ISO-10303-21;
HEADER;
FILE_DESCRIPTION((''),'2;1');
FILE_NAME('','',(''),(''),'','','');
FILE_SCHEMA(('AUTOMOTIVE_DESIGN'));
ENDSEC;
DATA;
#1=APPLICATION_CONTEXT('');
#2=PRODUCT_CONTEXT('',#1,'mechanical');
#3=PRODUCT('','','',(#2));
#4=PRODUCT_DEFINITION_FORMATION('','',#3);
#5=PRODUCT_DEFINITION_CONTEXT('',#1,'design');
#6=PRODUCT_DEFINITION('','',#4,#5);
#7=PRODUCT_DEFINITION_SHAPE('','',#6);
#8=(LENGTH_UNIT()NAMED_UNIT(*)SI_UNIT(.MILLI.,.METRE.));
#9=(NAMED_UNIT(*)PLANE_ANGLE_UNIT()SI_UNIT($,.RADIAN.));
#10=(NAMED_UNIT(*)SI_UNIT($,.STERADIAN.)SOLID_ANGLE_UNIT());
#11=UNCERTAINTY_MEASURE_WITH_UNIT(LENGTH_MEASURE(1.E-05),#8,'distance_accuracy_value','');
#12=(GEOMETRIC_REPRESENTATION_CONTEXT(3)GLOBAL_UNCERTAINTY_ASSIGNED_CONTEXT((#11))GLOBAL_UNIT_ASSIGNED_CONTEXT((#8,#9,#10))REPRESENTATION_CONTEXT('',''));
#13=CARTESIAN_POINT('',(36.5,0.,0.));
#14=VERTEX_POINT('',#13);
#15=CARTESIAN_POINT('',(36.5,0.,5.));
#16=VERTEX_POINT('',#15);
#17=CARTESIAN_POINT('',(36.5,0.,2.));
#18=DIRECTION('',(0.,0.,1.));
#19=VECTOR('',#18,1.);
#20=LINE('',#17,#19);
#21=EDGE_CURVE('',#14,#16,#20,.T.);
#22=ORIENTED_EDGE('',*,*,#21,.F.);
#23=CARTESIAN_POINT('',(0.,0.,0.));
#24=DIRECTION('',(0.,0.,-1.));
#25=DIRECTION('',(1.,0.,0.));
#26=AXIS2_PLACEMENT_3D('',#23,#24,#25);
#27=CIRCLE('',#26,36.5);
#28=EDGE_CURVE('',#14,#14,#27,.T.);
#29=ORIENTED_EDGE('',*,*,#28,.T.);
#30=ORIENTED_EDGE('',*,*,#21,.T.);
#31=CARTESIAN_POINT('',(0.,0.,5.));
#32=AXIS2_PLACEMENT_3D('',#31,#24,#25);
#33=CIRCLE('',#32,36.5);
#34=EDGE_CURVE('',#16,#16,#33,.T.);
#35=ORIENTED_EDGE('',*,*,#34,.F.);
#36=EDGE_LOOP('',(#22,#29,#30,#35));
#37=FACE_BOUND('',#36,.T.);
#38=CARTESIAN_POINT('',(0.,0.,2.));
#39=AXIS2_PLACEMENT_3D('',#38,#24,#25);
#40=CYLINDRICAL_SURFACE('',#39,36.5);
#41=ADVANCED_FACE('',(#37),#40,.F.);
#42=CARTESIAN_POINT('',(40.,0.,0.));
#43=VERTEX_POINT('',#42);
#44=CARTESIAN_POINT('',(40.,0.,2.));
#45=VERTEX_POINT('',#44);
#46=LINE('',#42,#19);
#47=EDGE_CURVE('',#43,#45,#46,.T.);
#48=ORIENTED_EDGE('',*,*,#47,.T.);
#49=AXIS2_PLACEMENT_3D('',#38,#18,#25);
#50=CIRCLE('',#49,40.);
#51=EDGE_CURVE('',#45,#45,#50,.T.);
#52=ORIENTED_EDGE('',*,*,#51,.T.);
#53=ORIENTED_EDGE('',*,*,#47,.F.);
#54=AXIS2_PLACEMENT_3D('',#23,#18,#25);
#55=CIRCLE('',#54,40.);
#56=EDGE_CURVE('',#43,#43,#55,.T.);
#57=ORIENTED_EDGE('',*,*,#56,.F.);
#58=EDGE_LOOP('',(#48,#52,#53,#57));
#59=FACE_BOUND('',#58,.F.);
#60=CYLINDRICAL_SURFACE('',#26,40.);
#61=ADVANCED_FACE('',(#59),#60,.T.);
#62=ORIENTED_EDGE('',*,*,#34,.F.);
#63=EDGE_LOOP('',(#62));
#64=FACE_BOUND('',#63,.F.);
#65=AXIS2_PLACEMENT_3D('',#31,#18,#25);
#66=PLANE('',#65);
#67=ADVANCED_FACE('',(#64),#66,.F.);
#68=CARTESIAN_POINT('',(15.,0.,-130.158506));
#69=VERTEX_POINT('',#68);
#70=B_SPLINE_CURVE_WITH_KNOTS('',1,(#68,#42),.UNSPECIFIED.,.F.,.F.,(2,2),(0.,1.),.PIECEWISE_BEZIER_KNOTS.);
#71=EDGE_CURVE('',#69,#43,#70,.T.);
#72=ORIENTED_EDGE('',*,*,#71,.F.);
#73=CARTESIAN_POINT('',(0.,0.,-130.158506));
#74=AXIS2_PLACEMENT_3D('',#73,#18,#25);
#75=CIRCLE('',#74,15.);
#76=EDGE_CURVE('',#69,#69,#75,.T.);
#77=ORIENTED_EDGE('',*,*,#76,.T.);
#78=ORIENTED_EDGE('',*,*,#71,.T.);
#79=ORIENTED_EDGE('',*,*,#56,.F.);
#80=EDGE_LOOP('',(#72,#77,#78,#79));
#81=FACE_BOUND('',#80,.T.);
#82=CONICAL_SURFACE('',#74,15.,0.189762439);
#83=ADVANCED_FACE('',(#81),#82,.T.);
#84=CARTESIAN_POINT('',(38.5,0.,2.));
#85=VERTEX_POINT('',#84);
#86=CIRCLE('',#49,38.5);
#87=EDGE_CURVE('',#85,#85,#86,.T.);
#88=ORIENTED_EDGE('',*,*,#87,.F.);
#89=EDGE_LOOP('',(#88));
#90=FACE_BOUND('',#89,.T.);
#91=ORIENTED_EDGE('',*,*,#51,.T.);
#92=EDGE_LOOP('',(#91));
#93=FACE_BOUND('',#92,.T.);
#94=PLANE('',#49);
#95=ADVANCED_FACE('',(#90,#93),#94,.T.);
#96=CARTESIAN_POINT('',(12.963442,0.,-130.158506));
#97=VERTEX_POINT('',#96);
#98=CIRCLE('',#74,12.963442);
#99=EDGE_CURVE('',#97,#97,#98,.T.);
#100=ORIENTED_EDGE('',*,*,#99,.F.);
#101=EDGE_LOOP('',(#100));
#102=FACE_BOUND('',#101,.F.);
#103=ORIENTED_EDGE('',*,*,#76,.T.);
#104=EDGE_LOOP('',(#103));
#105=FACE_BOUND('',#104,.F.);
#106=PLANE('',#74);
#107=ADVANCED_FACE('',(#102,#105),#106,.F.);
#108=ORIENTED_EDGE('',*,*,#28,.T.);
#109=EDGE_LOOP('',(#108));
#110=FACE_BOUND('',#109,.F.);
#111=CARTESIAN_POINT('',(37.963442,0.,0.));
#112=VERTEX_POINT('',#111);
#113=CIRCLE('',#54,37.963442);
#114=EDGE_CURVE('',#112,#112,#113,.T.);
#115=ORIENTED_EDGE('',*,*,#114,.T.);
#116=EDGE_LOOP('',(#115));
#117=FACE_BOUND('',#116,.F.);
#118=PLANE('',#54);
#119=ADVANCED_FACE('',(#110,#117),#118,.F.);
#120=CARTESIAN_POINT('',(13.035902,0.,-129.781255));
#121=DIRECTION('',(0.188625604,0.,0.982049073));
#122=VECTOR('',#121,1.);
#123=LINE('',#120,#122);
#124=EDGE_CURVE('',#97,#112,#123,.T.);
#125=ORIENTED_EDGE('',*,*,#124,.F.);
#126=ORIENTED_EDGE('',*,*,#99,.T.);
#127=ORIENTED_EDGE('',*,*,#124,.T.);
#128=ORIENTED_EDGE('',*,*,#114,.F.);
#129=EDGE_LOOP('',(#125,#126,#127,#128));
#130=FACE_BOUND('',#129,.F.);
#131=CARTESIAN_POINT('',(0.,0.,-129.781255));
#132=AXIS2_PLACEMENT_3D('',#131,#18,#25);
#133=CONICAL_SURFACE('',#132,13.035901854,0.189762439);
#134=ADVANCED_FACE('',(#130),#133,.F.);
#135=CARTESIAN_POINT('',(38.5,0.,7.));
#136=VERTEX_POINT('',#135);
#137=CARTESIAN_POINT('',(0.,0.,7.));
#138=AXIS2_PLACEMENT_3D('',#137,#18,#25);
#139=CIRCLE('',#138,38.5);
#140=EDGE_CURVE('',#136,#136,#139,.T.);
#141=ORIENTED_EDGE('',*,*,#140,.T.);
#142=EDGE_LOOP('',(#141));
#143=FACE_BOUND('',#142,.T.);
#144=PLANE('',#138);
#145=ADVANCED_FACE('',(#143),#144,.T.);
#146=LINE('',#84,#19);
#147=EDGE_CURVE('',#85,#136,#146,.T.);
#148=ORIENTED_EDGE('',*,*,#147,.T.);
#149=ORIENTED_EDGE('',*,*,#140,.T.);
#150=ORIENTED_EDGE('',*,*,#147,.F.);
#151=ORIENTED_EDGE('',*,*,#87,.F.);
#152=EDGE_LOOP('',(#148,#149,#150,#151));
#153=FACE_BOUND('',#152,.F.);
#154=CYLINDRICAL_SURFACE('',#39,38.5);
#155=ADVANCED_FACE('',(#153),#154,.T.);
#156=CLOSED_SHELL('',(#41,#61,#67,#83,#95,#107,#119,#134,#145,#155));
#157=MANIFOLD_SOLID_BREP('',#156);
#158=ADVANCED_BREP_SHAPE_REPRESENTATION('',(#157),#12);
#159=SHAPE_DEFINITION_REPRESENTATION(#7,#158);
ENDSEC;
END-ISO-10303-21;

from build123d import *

# Parameters (mm, degrees)
F0_R     = 40
F1_DEPTH = 2
F2_R     = 38.5
F3_DEPTH = 5
F7_R     = 15
F4_R     = 40
F9_T     = -2


with BuildPart() as f1:
    # F0 (on Top) → F1 (new body)
    with BuildSketch(Plane.XY):
        Circle(F0_R)
    extrude(amount=F1_DEPTH)

    # F2 (on face) → F3 (join)
    with BuildSketch(Plane.XY.offset(2)):
        Circle(F2_R)
    extrude(amount=F3_DEPTH)

    # F7 (on plane+point) → F8 section 0
    with BuildSketch(Plane.XY.offset(-130.1585063338)):
        Circle(F7_R)
    # F4 (on face) → F8 section 1
    with BuildSketch(Plane(origin=(0, 0, 0), x_dir=(1, 0, 0), z_dir=(0, 0, -1))):
        Circle(F4_R)
    loft()

    # F9
    f9_openings = [f1.faces().sort_by_distance(p)[0] for p in [
        (0, 0, -130.158506),
    ]]
    offset(amount=F9_T, openings=f9_openings, kind=Kind.INTERSECTION)


solid = f1.part
